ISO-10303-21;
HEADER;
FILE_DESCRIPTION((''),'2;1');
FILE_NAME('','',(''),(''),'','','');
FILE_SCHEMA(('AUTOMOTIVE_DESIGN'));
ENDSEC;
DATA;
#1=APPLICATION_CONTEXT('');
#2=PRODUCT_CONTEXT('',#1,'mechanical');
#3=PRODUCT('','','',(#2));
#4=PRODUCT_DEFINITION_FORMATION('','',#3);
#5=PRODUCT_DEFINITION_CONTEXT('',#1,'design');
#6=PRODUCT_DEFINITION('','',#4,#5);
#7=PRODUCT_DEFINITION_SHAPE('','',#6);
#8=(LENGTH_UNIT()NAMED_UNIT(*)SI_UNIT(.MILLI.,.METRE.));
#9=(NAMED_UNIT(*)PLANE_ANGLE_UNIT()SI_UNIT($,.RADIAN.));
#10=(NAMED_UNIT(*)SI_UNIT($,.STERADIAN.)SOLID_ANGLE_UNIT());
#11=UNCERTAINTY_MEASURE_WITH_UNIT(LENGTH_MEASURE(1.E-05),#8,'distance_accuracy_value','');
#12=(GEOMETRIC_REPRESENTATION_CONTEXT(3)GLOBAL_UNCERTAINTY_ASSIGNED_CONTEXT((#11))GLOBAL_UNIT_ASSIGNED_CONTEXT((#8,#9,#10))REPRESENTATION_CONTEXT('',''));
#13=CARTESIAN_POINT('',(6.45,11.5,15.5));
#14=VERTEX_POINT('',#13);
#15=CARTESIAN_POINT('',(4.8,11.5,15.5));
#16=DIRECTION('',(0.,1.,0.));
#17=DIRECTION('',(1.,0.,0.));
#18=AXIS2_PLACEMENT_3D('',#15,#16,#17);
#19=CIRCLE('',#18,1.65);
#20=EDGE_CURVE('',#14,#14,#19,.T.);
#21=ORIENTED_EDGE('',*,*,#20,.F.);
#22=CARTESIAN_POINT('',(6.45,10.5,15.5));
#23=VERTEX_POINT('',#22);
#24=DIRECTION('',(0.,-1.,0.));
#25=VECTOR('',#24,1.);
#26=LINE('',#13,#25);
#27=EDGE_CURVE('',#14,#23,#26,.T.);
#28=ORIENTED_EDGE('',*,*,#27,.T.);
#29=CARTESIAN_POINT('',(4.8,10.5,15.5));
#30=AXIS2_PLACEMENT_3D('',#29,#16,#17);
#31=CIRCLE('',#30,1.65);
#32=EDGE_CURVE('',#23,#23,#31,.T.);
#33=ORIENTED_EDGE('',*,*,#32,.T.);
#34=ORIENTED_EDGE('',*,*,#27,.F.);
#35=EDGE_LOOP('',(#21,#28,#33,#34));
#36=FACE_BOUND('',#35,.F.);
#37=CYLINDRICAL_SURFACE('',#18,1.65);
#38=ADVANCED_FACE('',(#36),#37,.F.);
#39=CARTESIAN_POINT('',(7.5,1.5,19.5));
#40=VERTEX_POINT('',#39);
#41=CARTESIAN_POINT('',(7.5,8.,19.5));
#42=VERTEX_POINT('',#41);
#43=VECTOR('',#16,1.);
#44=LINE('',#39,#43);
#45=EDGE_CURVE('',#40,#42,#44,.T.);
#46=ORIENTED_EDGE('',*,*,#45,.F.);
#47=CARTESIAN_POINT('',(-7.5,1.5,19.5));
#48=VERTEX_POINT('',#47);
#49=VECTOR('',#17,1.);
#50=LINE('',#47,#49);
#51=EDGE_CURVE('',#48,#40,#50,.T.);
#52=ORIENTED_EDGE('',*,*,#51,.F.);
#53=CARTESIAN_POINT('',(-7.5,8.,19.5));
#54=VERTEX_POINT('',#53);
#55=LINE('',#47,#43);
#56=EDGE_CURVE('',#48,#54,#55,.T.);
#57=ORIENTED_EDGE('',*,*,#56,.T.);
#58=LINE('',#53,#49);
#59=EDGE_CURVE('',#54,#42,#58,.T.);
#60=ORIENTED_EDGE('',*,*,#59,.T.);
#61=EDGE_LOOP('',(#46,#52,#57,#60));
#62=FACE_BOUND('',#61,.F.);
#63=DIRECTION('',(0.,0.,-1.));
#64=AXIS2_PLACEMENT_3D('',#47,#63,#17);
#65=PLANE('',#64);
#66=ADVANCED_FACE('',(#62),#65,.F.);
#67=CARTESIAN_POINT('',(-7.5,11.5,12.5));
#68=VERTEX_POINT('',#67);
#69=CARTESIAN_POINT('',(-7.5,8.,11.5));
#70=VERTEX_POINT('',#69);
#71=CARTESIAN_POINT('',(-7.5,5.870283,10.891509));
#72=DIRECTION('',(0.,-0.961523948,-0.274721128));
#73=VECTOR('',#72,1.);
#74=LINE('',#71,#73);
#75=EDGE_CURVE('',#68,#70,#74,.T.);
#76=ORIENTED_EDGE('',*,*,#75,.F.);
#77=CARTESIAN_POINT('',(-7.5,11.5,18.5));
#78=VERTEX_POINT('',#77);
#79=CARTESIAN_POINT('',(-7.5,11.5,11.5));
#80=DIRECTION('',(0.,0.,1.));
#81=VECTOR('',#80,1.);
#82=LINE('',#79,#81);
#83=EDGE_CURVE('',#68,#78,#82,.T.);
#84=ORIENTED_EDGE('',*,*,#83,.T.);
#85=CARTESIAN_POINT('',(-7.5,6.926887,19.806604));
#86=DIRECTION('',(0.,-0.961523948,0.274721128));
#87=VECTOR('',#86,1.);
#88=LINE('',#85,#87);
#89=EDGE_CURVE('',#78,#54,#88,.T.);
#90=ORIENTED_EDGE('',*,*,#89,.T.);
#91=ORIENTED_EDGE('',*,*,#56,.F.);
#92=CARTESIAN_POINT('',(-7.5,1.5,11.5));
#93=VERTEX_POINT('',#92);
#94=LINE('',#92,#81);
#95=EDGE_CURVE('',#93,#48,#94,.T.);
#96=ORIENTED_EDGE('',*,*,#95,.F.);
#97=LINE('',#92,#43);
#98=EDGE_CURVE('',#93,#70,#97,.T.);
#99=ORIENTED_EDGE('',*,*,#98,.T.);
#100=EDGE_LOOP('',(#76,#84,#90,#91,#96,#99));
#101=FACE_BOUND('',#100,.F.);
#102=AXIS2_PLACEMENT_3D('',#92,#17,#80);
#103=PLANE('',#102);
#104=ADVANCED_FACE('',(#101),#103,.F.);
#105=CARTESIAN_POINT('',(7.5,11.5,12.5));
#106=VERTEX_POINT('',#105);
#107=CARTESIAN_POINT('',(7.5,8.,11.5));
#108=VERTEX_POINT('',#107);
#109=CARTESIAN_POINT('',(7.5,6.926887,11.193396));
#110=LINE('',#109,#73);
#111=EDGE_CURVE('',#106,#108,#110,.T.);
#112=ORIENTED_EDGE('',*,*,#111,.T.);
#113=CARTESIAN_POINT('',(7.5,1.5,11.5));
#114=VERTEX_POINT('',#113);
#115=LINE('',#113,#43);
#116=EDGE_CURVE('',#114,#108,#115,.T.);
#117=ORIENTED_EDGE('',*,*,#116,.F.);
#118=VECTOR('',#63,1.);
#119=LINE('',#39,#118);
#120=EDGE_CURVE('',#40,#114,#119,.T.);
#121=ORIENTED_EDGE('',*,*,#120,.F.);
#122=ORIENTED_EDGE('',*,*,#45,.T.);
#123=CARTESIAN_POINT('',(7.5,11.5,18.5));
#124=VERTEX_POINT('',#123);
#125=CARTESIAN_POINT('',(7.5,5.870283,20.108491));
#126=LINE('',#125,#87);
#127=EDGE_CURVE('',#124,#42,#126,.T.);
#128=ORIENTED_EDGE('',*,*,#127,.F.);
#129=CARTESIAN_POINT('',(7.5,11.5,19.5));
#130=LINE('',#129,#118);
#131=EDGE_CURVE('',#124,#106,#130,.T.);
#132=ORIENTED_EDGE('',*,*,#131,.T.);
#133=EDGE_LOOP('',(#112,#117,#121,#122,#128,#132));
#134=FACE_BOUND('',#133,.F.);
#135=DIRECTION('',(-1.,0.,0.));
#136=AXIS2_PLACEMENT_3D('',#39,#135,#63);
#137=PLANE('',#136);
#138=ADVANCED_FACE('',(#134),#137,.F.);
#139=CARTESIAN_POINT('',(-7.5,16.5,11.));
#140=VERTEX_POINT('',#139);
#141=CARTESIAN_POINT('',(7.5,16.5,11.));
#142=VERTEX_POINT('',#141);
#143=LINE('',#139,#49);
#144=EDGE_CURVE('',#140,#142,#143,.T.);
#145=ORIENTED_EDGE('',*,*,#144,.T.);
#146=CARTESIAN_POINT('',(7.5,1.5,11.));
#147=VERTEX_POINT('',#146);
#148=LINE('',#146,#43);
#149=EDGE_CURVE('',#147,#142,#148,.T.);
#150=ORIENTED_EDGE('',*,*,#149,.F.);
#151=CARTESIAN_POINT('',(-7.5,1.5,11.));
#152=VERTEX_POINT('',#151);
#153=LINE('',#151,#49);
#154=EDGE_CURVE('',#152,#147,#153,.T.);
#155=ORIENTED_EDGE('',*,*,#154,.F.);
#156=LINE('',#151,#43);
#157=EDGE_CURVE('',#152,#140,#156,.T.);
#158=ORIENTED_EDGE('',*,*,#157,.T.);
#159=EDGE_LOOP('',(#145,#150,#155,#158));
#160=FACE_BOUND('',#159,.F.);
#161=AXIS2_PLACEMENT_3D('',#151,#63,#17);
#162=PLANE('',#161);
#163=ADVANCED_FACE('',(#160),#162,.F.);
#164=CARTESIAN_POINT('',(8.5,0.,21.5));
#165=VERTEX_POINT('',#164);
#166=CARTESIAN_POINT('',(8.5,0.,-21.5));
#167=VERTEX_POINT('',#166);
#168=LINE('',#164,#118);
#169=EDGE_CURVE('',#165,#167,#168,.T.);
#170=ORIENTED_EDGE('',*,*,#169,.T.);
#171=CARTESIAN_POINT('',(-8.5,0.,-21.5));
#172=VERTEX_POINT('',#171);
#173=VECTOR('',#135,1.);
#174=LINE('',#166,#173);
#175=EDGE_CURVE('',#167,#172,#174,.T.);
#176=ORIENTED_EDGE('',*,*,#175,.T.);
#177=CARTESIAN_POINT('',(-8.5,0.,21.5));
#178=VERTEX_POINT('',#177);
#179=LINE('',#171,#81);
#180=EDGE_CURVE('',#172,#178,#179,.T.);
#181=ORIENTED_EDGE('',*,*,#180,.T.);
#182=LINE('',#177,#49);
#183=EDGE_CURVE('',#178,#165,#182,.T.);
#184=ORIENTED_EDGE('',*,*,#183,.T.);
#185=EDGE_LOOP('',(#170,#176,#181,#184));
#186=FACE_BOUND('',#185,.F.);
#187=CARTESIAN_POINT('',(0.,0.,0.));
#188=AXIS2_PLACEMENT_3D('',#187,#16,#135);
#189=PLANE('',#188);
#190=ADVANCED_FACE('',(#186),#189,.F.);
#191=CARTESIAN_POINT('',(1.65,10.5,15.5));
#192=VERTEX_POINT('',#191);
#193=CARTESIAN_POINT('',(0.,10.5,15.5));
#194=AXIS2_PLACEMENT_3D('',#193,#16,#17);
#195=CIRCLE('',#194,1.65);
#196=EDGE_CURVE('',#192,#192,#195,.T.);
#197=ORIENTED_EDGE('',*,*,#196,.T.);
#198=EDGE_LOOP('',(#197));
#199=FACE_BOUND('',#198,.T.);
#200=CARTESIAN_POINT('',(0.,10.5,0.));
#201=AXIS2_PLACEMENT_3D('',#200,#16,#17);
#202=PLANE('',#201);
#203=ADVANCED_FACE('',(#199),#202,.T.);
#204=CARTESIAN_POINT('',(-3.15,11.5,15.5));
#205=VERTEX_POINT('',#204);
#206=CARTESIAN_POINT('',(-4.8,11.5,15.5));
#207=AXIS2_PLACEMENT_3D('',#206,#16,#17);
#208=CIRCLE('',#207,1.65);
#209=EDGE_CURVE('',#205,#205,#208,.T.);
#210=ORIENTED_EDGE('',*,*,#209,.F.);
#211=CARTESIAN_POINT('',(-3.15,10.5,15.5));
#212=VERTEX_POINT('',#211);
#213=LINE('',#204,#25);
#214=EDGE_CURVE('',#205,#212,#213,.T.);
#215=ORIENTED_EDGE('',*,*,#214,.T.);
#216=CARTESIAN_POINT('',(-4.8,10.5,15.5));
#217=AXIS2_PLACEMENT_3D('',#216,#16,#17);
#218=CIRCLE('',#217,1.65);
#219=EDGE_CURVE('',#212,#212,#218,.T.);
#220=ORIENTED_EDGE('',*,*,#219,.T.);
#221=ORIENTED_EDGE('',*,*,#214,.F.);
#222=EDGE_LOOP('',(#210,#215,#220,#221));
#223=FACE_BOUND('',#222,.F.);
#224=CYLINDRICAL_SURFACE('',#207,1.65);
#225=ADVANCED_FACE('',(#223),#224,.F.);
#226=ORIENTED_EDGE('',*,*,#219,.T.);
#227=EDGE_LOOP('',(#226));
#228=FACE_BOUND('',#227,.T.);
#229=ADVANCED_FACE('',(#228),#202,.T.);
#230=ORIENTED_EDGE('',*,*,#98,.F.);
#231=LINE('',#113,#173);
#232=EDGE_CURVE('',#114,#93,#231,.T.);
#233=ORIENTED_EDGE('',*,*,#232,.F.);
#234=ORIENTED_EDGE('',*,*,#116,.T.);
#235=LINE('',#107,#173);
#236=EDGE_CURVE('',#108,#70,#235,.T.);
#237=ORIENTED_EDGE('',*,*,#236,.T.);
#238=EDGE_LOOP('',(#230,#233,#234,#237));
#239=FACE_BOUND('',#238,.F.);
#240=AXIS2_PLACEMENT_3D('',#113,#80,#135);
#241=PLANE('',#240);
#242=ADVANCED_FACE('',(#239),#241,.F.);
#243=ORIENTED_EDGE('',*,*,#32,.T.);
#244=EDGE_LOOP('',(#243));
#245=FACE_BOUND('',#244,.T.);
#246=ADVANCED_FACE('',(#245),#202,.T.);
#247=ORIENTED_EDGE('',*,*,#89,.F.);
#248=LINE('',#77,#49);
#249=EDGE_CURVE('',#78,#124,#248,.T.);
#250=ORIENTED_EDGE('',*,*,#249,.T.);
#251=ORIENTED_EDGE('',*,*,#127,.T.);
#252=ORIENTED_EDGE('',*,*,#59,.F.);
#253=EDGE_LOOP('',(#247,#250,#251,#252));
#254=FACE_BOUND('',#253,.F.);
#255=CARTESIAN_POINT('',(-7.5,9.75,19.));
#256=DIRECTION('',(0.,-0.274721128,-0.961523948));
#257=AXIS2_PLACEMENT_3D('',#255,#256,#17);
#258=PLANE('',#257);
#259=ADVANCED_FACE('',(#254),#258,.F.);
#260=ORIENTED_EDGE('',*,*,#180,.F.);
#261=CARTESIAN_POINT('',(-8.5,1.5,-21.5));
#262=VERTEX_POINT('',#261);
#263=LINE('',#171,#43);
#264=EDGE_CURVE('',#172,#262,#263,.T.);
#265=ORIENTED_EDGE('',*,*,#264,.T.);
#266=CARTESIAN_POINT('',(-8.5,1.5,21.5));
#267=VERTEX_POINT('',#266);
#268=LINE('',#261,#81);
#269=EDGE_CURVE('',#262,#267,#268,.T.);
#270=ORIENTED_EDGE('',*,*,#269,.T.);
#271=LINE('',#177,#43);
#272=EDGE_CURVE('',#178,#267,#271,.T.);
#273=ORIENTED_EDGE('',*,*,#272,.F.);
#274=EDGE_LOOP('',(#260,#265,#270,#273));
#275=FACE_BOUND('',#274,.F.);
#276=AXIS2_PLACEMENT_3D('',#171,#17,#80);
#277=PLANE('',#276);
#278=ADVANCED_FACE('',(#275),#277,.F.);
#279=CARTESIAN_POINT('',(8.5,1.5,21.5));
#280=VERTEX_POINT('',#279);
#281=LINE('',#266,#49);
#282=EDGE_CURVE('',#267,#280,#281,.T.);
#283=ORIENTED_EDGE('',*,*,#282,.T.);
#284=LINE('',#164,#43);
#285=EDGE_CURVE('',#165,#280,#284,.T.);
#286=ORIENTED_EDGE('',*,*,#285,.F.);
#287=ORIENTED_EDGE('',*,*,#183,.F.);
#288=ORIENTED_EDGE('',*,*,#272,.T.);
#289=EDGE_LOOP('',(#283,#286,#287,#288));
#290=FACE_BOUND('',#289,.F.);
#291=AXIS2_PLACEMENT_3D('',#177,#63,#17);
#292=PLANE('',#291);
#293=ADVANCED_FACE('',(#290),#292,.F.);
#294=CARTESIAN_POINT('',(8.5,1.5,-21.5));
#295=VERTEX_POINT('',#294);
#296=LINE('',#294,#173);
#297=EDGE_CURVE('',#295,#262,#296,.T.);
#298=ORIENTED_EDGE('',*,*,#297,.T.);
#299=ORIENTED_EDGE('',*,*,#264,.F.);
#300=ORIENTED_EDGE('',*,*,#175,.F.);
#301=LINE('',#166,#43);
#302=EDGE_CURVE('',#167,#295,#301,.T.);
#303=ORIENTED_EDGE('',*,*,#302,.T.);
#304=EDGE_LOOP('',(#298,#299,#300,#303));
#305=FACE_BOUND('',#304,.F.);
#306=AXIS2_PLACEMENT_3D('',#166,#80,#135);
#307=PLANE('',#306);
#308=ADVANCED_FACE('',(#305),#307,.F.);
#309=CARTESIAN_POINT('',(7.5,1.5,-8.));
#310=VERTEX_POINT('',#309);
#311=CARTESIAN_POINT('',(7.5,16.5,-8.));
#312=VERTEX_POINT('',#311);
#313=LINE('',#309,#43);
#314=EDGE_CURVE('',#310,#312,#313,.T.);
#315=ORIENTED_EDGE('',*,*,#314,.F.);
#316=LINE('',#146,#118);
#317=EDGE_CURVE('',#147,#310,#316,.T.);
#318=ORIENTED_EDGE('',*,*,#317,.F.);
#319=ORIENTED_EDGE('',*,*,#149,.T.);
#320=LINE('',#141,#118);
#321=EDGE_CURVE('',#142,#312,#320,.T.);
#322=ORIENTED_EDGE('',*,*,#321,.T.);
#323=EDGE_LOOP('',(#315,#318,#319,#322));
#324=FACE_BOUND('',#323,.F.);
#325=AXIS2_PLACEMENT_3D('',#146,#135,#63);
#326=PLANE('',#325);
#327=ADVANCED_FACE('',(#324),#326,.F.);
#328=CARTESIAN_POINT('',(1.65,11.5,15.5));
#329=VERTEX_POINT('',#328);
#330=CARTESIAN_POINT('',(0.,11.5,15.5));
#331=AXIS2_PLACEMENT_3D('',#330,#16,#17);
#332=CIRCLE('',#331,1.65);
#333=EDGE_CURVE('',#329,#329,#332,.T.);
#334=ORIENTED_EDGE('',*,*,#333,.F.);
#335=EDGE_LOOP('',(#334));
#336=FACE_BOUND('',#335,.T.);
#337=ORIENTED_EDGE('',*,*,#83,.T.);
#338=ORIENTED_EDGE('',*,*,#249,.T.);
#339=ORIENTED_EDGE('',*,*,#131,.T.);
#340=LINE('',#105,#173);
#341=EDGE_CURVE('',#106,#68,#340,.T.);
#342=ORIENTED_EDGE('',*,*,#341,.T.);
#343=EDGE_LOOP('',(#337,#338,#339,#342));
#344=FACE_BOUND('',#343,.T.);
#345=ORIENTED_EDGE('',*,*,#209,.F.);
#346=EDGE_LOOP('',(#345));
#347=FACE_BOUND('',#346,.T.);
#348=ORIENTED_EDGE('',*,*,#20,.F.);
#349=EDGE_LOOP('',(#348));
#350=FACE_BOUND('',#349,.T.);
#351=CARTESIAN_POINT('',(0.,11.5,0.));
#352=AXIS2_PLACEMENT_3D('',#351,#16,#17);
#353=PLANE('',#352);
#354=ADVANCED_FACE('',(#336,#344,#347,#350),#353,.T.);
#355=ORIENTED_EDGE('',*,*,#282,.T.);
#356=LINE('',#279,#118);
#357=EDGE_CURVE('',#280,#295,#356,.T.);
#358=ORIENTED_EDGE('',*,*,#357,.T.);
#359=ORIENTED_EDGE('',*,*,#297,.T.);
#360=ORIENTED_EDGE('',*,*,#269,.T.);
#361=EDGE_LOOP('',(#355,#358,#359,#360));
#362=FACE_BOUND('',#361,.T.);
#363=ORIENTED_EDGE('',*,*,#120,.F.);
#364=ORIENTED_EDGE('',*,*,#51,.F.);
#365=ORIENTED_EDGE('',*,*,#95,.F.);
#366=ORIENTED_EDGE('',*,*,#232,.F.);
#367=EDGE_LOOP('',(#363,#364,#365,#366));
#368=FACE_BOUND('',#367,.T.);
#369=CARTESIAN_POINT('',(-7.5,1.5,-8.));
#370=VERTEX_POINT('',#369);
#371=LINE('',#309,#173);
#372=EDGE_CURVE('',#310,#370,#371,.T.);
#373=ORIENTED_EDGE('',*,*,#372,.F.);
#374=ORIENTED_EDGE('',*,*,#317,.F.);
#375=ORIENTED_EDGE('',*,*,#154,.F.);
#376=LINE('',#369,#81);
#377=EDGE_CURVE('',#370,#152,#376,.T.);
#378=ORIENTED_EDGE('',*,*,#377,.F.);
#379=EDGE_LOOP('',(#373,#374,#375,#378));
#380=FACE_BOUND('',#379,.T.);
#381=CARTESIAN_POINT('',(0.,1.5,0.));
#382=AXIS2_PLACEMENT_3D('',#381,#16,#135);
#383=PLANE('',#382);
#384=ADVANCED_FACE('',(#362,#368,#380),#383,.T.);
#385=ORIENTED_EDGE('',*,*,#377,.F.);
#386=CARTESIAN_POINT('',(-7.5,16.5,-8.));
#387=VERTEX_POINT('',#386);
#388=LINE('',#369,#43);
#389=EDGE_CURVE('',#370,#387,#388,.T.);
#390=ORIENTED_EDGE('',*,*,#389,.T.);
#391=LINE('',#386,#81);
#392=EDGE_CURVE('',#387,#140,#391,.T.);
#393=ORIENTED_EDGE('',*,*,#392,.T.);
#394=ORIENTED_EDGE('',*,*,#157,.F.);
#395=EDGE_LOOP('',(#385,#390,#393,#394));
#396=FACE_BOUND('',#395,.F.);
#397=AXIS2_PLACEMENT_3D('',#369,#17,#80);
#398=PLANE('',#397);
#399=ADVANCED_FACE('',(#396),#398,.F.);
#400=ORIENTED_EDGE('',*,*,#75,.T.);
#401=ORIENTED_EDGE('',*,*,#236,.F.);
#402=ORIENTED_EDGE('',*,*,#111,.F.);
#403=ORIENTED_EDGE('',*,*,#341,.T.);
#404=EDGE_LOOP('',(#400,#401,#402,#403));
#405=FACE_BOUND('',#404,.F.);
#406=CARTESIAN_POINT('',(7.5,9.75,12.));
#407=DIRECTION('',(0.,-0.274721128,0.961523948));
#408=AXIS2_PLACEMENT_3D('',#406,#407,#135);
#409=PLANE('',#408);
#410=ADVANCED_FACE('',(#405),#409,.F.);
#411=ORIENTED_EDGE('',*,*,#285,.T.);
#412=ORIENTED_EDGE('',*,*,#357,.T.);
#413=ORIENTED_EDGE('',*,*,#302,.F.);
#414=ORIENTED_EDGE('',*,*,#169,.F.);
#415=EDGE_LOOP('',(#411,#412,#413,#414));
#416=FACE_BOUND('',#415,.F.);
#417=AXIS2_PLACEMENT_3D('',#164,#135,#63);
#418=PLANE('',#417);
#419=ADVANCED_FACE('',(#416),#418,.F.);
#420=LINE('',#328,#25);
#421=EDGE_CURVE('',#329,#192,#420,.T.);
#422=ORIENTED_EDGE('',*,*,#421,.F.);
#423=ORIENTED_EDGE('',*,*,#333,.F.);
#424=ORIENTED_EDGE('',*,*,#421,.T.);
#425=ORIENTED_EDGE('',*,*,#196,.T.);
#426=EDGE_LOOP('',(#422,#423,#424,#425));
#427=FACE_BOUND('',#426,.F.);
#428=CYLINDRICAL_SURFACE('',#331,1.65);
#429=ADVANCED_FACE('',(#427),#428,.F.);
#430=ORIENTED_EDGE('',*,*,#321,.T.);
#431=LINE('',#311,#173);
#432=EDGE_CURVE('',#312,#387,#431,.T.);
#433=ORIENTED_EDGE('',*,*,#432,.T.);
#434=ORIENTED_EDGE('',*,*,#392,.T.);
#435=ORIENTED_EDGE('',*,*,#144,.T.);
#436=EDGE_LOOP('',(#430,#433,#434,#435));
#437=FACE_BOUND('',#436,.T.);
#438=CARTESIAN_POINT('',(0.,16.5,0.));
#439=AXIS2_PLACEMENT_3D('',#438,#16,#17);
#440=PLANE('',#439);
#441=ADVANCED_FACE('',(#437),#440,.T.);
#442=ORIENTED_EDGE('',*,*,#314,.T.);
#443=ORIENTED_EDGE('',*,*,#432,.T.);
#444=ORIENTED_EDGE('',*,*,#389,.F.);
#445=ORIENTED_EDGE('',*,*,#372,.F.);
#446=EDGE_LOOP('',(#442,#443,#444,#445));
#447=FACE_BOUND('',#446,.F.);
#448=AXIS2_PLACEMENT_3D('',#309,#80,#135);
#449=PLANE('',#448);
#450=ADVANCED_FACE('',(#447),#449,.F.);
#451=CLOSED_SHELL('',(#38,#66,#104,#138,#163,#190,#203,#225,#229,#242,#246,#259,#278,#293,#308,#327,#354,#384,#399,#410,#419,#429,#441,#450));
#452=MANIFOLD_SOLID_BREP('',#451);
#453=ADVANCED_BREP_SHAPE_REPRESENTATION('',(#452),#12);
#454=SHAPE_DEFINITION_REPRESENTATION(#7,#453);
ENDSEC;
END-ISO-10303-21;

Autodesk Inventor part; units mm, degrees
ref_plane "YZ Plane" through (0, 0, 0) normal (1, 0, 0) x (0, 1, 0)
ref_plane "XZ Plane" through (0, 0, 0) normal (0, 1, 0) x (-1, 0, 0)
ref_plane "XY Plane" through (0, 0, 0) normal (0, 0, 1) x (1, 0, 0)
sketch "Sketch1" plane through (0, 0, 0) normal (0, 1, 0) x (-1, 0, 0)
  line L0 (8.5, 21.5) -> (-8.5, 21.5)
  line L1 (-8.5, 21.5) -> (-8.5, -21.5)
  line L2 (-8.5, -21.5) -> (8.5, -21.5)
  line L3 (8.5, -21.5) -> (8.5, 21.5)
  line L4 (-8.5, 21.5) -> (8.5, -21.5) construction
  point P0 (0, 0)
  point P1 (0, 0)
  dimension "d0" = 43
  dimension "d1" = 17
extrude "Extrusion1" add sketch "Sketch1" along normal blind 1.5
sketch "Sketch2" plane through (0, 1.5, 0) normal (0, 1, 0) x (1, 0, 0)
  line L0 (-7.5, -11) -> (7.5, -11)
  line L1 (7.5, -11) -> (7.5, 8)
  line L2 (7.5, 8) -> (-7.5, 8)
  line L3 (-7.5, 8) -> (-7.5, -11)
  line L4 (-8.5, -21.5) -> (8.5, -21.5) projected
  point P0 (0, 0)
  dimension "d4" = 19
  dimension "d5" = 15
  dimension "d6" = 7.5
  dimension "d8" = 10.5
extrude "Extrusion2" add sketch "Sketch2" along normal blind 15
sketch "Sketch3" plane through (0, 1.5, 0) normal (0, 1, 0) x (1, 0, 0)
  line L0 (7.5, -11.5) -> (-7.5, -11.5)
  line L1 (-7.5, -11.5) -> (-7.5, -19.5)
  line L2 (-7.5, -19.5) -> (7.5, -19.5)
  line L3 (7.5, -19.5) -> (7.5, -11.5)
  line L4 (-7.5, -11) -> (7.5, -11) projected
  point P0 (0, 0)
  dimension "d11" = 15
  dimension "d12" = 8
  dimension "d13" = 0.5
  dimension "d14" = 7.5
extrude "Extrusion3" add sketch "Sketch3" along normal blind 10
chamfer "Chamfer1" distance 1 distance2 3.5 1 edges at (0, 11.5, 19.5) measured on face at (2.5, 11.5, 16.8333)
chamfer "Chamfer2" distance 1 distance2 3.5 1 edges at (0, 11.5, 11.5) measured on face at (2.5, 11.5, 16.1667)
sketch "Sketch4" plane through (0, 11.5, 0) normal (0, 1, 0) x (1, 0, 0)
  circle A0 centre (-4.8, -15.5) radius 1.65
  line L0 (-7.5, -12.5) -> (-7.5, -18.5) projected
  line L1 (-3.2324, -14.8041) -> (3.2927, -14.8041) construction
  circle A1 centre (0, -15.5) radius 1.65
  circle A2 centre (4.8, -15.5) radius 1.65
  point P0 (0, 0)
  dimension "d23" = 3.3
  dimension "d24" = 2.7
  dimension "d27" = 4.8
  dimension "d32" = 6
  dimension "d33" = 3
extrude "Extrusion4" cut sketch "Sketch4" against normal blind 1
equation "\"d6\" = 0.5 * d5"
equation "\"d14\" = 0.5 * d11"
equation "\"d33\" = 0.5 * d32"
properties part number "Relay w Breakout Board"
